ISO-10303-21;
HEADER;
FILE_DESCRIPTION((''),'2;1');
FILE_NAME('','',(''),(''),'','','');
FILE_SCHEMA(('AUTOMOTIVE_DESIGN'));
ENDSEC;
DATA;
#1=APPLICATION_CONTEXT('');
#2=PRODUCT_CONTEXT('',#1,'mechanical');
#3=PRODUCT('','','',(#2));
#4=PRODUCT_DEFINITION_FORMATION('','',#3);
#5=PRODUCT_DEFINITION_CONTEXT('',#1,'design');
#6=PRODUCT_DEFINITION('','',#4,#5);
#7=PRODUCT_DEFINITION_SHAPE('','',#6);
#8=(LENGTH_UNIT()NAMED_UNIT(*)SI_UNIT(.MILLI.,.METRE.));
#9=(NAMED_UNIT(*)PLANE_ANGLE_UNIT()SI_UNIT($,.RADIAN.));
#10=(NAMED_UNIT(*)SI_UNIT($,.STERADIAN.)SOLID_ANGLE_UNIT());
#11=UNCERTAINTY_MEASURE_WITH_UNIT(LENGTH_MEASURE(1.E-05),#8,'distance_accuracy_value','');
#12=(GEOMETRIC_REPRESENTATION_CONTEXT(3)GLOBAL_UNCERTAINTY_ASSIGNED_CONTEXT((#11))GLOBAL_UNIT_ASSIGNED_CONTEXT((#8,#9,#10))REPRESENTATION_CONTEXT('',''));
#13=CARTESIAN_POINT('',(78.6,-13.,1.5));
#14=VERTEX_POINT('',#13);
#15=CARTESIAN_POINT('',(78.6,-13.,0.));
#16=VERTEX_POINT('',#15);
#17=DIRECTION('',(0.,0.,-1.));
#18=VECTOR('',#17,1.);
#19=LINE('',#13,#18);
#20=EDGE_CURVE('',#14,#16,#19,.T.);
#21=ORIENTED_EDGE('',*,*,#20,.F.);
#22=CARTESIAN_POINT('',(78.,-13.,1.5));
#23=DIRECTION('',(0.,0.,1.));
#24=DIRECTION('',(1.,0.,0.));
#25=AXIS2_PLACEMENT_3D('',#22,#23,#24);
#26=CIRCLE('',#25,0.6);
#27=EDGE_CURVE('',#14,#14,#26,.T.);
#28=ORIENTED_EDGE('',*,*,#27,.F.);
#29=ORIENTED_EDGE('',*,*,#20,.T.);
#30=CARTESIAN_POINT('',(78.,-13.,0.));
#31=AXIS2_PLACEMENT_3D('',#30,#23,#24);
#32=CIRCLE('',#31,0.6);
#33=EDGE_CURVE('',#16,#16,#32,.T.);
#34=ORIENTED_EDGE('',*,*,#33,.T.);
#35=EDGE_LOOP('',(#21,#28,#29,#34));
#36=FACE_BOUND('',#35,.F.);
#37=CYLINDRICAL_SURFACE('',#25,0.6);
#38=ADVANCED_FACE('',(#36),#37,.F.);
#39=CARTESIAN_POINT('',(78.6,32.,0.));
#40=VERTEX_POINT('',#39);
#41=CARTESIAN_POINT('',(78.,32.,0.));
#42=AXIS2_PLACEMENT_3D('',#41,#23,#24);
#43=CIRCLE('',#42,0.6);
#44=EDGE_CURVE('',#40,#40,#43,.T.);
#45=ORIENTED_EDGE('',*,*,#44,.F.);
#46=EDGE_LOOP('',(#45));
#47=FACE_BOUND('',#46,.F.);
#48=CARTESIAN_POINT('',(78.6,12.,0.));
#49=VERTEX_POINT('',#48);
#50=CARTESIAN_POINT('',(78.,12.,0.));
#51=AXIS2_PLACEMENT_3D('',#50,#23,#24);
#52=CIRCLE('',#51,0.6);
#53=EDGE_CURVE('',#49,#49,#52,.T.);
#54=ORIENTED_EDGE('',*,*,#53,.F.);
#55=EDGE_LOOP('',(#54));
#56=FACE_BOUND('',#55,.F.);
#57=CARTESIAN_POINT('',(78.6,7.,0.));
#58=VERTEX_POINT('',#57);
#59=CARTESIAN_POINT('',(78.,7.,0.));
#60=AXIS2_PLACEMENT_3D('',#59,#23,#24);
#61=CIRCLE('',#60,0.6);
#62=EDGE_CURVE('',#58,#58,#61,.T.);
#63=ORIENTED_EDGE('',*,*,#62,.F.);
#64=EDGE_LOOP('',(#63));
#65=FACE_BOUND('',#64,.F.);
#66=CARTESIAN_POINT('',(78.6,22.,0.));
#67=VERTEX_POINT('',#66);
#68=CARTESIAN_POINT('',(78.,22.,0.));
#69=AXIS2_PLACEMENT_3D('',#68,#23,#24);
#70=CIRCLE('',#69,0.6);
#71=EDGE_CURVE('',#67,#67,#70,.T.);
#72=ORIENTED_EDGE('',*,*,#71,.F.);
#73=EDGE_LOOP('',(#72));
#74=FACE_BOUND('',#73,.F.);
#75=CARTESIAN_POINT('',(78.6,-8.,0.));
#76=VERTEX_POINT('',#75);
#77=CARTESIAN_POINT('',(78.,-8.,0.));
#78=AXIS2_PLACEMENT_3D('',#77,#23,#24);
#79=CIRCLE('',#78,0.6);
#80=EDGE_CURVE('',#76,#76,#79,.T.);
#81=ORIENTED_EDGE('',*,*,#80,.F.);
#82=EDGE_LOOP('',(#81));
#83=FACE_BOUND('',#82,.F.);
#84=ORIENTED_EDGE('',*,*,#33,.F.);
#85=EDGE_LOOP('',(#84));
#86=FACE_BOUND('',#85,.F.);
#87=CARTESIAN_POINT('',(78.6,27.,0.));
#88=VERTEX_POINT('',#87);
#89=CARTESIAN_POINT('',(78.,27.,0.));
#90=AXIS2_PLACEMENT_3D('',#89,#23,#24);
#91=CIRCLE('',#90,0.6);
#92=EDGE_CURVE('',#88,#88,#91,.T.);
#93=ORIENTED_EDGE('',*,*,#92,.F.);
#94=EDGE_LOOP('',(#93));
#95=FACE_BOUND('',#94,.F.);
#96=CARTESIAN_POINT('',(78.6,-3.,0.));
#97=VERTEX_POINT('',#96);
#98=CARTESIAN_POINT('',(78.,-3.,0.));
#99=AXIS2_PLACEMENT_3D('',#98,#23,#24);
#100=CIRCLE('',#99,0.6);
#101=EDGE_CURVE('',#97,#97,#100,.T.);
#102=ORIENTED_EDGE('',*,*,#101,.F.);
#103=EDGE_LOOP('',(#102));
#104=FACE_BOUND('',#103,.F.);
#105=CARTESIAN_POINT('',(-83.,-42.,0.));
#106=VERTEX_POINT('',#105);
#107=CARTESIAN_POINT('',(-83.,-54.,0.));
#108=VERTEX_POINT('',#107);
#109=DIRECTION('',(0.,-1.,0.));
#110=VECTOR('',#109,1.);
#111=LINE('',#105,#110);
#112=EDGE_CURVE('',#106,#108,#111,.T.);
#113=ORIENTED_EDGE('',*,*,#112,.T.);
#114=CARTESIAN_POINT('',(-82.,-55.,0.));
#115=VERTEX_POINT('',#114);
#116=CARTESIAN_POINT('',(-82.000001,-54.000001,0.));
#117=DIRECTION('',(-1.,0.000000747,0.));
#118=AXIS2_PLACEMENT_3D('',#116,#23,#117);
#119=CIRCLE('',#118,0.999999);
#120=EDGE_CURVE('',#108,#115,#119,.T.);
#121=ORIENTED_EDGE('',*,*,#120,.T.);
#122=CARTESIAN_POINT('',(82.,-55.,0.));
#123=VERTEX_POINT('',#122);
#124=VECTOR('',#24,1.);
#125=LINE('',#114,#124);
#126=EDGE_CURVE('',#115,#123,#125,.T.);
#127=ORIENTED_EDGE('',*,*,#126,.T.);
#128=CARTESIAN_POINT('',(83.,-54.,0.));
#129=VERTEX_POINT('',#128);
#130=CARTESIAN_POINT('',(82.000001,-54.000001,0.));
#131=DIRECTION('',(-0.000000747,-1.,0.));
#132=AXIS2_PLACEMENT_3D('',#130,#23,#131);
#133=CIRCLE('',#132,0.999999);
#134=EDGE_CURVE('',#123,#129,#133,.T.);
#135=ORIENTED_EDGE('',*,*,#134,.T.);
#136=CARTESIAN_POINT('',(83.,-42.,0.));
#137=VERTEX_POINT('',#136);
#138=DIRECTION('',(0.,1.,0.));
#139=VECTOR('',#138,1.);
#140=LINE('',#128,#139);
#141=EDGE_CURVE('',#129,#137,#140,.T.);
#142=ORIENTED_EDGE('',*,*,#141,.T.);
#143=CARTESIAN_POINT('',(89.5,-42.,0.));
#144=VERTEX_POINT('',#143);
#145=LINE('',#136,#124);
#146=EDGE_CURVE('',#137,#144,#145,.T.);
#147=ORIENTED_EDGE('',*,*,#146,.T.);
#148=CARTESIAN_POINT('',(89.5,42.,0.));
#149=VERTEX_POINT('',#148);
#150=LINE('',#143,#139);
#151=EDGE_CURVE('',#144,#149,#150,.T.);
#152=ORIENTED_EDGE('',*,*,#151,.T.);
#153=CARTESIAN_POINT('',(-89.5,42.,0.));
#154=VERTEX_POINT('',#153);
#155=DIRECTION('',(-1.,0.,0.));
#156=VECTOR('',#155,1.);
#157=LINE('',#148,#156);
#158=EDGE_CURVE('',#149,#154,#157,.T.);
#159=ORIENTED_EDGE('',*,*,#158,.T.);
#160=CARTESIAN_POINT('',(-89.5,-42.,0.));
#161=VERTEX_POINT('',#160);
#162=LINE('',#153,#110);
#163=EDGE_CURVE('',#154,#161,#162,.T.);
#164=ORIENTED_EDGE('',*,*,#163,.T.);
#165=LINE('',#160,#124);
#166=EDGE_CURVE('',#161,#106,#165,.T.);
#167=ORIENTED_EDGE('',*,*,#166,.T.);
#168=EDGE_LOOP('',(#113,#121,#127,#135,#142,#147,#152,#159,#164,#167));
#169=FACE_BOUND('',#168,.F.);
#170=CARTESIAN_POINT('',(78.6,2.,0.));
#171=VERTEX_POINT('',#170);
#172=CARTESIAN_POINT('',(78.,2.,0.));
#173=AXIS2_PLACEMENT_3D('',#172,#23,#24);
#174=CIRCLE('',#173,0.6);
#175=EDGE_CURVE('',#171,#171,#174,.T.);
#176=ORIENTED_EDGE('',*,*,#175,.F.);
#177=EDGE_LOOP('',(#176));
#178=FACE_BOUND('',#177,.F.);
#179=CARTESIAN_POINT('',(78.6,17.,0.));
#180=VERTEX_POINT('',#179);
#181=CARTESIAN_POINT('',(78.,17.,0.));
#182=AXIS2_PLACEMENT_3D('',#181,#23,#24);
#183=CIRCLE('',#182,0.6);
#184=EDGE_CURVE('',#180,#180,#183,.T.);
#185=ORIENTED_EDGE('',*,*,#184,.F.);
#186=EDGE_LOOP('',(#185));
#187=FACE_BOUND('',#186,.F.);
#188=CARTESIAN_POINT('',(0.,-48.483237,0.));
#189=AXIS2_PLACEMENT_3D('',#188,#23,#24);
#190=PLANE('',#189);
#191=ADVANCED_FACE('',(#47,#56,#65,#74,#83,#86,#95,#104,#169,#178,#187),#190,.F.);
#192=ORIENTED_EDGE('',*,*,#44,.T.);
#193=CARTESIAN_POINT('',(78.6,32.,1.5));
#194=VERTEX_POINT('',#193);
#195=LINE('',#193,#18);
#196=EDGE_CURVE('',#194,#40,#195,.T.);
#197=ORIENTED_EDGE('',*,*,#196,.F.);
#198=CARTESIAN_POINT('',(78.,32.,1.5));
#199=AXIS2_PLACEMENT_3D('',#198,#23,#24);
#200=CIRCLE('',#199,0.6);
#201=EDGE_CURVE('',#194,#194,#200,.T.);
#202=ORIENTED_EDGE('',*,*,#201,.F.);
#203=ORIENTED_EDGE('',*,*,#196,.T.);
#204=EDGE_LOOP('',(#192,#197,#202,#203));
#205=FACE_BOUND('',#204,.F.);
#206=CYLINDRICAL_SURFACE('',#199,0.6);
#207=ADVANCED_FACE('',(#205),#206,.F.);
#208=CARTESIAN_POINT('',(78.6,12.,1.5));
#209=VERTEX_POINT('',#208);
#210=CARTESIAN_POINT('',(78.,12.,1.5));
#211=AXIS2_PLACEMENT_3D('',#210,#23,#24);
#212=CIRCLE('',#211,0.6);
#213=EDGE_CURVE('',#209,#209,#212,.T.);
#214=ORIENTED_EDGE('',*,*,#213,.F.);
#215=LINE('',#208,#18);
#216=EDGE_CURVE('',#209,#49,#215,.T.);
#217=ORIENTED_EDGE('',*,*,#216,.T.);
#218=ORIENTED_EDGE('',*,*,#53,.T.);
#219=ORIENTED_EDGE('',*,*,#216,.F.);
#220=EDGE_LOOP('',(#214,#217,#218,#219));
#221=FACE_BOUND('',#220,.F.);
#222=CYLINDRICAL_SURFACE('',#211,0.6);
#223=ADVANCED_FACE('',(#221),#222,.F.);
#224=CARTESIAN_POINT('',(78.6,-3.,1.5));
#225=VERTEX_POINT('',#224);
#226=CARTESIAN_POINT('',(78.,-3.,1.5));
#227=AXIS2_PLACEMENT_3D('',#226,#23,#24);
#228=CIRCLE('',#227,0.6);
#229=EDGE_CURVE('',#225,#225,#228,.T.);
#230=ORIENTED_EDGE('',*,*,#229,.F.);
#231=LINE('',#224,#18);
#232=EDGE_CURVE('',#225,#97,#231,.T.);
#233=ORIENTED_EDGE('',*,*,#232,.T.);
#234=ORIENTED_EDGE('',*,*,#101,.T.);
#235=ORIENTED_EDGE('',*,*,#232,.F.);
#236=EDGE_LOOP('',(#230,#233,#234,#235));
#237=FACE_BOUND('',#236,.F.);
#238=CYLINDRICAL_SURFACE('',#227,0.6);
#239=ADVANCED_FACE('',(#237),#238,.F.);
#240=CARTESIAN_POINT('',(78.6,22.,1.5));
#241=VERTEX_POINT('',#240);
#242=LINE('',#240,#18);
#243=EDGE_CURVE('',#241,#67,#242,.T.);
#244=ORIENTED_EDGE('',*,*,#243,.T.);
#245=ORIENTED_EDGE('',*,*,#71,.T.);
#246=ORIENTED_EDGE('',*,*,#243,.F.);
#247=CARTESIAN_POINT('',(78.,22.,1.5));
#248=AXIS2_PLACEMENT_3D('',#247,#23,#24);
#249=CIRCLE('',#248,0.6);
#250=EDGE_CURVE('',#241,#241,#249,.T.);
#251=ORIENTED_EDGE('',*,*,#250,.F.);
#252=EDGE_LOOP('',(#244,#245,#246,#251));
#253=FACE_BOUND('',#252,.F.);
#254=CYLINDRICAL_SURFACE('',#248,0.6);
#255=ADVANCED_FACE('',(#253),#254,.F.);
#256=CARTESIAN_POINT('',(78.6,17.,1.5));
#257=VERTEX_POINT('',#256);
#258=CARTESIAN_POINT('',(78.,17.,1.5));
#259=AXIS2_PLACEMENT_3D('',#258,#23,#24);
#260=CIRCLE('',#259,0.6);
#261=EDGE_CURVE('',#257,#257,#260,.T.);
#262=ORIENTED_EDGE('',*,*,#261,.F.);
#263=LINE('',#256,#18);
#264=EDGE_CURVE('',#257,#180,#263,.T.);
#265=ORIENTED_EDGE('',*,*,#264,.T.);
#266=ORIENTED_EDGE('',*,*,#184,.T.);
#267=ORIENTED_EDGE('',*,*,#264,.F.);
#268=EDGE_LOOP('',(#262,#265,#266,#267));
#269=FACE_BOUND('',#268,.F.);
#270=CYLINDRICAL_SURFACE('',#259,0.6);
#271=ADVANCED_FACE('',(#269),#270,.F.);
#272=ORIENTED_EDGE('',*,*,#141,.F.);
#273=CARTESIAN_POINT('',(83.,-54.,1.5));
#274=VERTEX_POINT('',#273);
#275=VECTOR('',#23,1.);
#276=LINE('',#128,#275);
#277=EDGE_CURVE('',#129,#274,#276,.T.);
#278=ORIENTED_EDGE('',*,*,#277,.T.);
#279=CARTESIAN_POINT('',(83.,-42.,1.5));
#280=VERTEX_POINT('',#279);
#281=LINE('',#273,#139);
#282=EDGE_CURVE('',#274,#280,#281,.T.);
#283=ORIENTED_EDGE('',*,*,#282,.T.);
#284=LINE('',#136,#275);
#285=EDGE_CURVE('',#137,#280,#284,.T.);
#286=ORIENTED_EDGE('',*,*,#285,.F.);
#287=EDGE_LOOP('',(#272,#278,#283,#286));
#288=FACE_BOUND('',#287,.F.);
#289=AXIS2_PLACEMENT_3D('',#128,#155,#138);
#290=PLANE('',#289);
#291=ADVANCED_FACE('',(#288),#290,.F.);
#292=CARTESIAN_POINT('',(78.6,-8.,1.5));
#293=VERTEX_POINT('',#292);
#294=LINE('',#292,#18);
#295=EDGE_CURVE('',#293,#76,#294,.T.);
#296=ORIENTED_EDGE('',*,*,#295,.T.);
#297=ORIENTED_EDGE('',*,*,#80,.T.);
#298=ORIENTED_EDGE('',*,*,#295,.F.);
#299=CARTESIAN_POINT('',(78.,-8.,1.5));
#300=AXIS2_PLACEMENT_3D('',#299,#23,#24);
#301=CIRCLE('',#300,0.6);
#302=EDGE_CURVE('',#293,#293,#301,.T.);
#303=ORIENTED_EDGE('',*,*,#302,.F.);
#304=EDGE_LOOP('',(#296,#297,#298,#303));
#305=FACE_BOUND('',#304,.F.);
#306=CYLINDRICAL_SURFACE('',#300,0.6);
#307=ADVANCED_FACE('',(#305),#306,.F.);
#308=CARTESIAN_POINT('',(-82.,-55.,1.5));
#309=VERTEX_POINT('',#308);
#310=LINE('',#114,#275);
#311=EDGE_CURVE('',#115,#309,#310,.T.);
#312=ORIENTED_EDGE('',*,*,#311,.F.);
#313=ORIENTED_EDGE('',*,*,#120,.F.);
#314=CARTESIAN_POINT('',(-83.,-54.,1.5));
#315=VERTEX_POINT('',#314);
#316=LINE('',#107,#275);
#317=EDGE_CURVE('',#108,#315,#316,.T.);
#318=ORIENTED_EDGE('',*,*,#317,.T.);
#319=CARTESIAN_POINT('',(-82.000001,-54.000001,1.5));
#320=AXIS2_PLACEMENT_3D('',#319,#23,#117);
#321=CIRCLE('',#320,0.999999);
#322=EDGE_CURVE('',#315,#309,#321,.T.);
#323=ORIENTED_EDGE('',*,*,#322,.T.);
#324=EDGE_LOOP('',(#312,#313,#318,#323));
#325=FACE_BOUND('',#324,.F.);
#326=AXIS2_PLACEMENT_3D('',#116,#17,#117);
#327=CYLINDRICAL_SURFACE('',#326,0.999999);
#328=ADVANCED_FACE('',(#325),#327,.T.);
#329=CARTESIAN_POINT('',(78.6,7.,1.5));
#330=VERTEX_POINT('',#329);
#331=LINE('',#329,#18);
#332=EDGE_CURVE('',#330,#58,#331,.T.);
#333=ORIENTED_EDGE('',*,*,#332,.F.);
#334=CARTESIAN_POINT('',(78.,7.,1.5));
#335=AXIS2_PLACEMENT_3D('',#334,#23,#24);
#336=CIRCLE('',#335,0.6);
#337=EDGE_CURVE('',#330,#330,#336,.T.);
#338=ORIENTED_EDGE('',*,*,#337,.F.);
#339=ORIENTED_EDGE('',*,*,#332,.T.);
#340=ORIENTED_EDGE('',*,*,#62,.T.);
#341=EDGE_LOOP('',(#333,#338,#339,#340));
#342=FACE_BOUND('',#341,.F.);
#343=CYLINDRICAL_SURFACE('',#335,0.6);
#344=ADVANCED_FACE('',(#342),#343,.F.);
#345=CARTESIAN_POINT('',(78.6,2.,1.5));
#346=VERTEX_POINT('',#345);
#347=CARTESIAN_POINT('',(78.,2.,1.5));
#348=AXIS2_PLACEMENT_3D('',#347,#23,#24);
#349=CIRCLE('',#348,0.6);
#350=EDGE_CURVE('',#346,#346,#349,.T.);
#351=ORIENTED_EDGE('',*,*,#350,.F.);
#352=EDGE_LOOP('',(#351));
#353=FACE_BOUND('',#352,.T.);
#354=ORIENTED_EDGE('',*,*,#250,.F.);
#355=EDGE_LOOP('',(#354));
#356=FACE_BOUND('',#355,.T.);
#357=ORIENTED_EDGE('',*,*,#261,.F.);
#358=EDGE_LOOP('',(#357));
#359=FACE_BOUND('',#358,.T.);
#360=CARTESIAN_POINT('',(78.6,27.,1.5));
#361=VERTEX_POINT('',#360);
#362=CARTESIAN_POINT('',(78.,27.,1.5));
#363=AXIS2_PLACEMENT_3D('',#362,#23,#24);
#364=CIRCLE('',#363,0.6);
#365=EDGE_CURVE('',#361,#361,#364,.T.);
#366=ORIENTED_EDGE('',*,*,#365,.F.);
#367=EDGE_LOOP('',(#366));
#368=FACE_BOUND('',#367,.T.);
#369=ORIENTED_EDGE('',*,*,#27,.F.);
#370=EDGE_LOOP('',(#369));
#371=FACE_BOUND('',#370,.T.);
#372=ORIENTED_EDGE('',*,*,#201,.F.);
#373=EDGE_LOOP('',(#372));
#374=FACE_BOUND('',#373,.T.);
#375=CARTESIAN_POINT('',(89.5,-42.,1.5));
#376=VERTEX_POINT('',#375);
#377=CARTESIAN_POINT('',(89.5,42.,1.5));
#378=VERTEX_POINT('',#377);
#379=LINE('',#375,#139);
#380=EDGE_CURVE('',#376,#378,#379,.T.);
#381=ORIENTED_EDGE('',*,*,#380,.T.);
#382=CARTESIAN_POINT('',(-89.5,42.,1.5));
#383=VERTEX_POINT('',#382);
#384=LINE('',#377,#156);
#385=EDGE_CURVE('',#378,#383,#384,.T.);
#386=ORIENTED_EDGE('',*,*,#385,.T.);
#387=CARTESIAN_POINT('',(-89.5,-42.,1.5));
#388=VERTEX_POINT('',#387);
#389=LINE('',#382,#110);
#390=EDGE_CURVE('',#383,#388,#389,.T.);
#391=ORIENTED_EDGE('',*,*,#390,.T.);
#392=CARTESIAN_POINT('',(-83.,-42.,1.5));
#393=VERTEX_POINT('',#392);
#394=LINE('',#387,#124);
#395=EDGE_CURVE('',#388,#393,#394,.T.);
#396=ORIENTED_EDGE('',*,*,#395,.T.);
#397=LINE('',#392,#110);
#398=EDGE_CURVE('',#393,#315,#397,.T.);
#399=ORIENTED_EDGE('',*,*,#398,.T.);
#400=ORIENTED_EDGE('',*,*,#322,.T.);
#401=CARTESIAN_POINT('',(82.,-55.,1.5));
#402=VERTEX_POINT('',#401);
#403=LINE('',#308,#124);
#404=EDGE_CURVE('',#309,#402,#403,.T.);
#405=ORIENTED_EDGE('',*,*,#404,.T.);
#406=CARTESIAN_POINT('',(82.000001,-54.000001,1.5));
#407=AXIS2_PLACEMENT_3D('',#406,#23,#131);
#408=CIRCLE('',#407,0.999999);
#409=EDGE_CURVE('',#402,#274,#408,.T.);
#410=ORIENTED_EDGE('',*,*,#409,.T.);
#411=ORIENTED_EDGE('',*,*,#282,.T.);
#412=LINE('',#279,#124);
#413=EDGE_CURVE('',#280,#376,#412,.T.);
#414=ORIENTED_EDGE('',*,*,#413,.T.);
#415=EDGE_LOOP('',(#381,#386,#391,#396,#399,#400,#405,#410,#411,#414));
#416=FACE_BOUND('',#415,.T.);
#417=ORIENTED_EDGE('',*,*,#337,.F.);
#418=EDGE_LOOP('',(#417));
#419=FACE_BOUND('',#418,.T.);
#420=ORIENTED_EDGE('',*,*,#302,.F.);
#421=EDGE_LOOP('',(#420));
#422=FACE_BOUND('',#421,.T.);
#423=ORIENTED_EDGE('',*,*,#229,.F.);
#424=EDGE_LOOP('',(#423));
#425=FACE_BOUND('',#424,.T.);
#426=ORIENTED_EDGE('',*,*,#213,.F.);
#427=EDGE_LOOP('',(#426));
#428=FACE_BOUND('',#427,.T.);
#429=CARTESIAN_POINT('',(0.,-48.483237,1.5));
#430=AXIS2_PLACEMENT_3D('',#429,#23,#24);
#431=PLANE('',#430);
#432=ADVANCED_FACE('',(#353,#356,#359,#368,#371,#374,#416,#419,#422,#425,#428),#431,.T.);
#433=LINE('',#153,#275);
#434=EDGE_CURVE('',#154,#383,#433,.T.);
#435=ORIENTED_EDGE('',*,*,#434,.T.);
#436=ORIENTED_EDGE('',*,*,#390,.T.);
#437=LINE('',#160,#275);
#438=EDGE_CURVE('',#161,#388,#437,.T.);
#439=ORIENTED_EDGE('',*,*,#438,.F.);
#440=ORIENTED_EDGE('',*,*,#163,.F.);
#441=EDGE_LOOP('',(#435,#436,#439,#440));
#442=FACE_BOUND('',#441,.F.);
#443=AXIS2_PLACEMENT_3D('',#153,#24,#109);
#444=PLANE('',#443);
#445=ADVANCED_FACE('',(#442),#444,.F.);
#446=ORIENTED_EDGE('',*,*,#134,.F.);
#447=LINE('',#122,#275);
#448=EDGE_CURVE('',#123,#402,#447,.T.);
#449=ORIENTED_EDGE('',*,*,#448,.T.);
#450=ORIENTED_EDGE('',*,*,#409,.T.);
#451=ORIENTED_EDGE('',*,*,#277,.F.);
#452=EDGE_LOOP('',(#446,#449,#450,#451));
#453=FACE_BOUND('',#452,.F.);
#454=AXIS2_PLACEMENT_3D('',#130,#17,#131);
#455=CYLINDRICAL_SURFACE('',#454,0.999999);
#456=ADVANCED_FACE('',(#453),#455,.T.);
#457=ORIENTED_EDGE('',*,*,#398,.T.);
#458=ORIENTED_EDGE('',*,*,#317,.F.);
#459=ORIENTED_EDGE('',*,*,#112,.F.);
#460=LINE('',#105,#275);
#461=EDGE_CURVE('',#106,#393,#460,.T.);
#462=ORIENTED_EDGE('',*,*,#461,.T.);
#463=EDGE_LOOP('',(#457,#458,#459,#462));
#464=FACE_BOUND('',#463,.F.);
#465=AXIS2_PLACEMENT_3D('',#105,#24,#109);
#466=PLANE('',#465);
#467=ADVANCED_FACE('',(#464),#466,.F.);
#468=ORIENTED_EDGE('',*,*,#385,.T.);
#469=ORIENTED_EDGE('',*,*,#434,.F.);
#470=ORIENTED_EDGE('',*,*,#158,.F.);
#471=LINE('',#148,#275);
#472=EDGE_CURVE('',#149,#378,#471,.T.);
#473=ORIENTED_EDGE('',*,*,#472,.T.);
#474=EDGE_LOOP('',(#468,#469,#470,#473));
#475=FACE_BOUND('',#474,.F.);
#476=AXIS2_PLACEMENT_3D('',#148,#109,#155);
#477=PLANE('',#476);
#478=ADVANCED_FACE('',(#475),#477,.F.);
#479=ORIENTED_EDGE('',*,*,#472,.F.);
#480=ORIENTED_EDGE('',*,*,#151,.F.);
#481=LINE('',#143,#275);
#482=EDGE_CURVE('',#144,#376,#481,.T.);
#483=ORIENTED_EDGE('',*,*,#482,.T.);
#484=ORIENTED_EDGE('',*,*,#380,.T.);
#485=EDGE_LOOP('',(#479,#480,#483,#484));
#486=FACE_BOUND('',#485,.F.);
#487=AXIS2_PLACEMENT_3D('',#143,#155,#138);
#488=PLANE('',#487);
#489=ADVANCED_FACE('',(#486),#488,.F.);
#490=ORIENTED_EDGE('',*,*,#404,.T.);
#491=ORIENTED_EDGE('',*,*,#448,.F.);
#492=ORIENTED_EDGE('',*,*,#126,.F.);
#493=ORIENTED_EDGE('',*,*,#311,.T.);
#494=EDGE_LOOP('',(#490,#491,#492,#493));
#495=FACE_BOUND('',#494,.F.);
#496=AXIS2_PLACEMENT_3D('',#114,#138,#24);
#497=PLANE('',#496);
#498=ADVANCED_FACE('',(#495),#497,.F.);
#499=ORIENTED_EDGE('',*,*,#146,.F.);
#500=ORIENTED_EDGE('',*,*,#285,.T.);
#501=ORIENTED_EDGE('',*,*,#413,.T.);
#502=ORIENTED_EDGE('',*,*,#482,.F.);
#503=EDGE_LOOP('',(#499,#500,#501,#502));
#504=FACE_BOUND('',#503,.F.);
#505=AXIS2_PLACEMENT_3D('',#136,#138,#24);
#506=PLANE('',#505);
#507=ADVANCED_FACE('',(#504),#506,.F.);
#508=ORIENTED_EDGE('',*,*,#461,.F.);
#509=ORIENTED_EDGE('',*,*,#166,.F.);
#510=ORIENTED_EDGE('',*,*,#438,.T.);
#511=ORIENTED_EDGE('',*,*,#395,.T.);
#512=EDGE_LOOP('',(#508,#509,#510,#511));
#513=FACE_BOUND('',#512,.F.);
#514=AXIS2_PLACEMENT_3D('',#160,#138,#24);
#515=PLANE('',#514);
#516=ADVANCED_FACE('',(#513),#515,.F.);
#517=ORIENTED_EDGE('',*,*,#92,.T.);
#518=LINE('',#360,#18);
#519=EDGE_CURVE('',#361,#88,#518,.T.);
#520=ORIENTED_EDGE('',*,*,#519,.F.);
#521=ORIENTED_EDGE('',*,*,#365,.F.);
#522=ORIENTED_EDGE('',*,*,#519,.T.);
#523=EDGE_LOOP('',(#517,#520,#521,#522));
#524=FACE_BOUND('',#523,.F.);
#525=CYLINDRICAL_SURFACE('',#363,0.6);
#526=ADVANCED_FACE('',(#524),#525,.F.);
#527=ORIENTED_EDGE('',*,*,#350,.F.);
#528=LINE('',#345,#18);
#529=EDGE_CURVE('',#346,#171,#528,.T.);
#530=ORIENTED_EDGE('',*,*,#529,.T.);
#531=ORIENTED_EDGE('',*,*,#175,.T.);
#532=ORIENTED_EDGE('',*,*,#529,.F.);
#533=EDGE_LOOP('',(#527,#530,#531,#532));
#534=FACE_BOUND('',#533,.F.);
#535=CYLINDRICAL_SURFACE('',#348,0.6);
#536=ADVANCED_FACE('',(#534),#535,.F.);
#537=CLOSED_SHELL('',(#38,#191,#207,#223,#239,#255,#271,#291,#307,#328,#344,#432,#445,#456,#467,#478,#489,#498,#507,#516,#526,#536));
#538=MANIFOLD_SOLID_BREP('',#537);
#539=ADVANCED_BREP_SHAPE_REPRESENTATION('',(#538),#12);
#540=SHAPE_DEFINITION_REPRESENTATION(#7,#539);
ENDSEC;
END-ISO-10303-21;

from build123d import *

# Parameters (mm, degrees)
F1_DEPTH = 1.5
F2_R     = 0.6
F3_DEPTH = 1.501


with BuildPart() as f1:
    # F0 (on Top) → F1 (new body)
    with BuildSketch(Plane.XY):
        with BuildLine():
            Line((83, -42), (-83, -42))
            Line((-83, -42), (-83, -54))
            ThreePointArc((-83, -54), (-82.707107, -54.707107), (-82, -55))
            Line((-82, -55), (82, -55))
            ThreePointArc((82, -55), (82.707107, -54.707107), (83, -54))
            Line((83, -54), (83, -42))
        make_face()
        Polygon((89.5, 42), (-89.5, 42), (-89.5, -42), (-83, -42), (83, -42), (89.5, -42), align=None)
    extrude(amount=F1_DEPTH)

    # F2 (on face) → F3 (cut, through all)
    with BuildSketch(Plane.XY.offset(1.5)):
        with Locations((78, 32)):
            Circle(F2_R)
        with Locations((78, 27)):
            Circle(F2_R)
        with Locations((78, 22)):
            Circle(F2_R)
        with Locations((78, 17)):
            Circle(F2_R)
        with Locations((78, 12)):
            Circle(F2_R)
        with Locations((78, 7)):
            Circle(F2_R)
        with Locations((78, 2)):
            Circle(F2_R)
        with Locations((78, -3)):
            Circle(F2_R)
        with Locations((78, -8)):
            Circle(F2_R)
        with Locations((78, -13)):
            Circle(F2_R)
    extrude(amount=-F3_DEPTH, mode=Mode.SUBTRACT)


solid = f1.part
